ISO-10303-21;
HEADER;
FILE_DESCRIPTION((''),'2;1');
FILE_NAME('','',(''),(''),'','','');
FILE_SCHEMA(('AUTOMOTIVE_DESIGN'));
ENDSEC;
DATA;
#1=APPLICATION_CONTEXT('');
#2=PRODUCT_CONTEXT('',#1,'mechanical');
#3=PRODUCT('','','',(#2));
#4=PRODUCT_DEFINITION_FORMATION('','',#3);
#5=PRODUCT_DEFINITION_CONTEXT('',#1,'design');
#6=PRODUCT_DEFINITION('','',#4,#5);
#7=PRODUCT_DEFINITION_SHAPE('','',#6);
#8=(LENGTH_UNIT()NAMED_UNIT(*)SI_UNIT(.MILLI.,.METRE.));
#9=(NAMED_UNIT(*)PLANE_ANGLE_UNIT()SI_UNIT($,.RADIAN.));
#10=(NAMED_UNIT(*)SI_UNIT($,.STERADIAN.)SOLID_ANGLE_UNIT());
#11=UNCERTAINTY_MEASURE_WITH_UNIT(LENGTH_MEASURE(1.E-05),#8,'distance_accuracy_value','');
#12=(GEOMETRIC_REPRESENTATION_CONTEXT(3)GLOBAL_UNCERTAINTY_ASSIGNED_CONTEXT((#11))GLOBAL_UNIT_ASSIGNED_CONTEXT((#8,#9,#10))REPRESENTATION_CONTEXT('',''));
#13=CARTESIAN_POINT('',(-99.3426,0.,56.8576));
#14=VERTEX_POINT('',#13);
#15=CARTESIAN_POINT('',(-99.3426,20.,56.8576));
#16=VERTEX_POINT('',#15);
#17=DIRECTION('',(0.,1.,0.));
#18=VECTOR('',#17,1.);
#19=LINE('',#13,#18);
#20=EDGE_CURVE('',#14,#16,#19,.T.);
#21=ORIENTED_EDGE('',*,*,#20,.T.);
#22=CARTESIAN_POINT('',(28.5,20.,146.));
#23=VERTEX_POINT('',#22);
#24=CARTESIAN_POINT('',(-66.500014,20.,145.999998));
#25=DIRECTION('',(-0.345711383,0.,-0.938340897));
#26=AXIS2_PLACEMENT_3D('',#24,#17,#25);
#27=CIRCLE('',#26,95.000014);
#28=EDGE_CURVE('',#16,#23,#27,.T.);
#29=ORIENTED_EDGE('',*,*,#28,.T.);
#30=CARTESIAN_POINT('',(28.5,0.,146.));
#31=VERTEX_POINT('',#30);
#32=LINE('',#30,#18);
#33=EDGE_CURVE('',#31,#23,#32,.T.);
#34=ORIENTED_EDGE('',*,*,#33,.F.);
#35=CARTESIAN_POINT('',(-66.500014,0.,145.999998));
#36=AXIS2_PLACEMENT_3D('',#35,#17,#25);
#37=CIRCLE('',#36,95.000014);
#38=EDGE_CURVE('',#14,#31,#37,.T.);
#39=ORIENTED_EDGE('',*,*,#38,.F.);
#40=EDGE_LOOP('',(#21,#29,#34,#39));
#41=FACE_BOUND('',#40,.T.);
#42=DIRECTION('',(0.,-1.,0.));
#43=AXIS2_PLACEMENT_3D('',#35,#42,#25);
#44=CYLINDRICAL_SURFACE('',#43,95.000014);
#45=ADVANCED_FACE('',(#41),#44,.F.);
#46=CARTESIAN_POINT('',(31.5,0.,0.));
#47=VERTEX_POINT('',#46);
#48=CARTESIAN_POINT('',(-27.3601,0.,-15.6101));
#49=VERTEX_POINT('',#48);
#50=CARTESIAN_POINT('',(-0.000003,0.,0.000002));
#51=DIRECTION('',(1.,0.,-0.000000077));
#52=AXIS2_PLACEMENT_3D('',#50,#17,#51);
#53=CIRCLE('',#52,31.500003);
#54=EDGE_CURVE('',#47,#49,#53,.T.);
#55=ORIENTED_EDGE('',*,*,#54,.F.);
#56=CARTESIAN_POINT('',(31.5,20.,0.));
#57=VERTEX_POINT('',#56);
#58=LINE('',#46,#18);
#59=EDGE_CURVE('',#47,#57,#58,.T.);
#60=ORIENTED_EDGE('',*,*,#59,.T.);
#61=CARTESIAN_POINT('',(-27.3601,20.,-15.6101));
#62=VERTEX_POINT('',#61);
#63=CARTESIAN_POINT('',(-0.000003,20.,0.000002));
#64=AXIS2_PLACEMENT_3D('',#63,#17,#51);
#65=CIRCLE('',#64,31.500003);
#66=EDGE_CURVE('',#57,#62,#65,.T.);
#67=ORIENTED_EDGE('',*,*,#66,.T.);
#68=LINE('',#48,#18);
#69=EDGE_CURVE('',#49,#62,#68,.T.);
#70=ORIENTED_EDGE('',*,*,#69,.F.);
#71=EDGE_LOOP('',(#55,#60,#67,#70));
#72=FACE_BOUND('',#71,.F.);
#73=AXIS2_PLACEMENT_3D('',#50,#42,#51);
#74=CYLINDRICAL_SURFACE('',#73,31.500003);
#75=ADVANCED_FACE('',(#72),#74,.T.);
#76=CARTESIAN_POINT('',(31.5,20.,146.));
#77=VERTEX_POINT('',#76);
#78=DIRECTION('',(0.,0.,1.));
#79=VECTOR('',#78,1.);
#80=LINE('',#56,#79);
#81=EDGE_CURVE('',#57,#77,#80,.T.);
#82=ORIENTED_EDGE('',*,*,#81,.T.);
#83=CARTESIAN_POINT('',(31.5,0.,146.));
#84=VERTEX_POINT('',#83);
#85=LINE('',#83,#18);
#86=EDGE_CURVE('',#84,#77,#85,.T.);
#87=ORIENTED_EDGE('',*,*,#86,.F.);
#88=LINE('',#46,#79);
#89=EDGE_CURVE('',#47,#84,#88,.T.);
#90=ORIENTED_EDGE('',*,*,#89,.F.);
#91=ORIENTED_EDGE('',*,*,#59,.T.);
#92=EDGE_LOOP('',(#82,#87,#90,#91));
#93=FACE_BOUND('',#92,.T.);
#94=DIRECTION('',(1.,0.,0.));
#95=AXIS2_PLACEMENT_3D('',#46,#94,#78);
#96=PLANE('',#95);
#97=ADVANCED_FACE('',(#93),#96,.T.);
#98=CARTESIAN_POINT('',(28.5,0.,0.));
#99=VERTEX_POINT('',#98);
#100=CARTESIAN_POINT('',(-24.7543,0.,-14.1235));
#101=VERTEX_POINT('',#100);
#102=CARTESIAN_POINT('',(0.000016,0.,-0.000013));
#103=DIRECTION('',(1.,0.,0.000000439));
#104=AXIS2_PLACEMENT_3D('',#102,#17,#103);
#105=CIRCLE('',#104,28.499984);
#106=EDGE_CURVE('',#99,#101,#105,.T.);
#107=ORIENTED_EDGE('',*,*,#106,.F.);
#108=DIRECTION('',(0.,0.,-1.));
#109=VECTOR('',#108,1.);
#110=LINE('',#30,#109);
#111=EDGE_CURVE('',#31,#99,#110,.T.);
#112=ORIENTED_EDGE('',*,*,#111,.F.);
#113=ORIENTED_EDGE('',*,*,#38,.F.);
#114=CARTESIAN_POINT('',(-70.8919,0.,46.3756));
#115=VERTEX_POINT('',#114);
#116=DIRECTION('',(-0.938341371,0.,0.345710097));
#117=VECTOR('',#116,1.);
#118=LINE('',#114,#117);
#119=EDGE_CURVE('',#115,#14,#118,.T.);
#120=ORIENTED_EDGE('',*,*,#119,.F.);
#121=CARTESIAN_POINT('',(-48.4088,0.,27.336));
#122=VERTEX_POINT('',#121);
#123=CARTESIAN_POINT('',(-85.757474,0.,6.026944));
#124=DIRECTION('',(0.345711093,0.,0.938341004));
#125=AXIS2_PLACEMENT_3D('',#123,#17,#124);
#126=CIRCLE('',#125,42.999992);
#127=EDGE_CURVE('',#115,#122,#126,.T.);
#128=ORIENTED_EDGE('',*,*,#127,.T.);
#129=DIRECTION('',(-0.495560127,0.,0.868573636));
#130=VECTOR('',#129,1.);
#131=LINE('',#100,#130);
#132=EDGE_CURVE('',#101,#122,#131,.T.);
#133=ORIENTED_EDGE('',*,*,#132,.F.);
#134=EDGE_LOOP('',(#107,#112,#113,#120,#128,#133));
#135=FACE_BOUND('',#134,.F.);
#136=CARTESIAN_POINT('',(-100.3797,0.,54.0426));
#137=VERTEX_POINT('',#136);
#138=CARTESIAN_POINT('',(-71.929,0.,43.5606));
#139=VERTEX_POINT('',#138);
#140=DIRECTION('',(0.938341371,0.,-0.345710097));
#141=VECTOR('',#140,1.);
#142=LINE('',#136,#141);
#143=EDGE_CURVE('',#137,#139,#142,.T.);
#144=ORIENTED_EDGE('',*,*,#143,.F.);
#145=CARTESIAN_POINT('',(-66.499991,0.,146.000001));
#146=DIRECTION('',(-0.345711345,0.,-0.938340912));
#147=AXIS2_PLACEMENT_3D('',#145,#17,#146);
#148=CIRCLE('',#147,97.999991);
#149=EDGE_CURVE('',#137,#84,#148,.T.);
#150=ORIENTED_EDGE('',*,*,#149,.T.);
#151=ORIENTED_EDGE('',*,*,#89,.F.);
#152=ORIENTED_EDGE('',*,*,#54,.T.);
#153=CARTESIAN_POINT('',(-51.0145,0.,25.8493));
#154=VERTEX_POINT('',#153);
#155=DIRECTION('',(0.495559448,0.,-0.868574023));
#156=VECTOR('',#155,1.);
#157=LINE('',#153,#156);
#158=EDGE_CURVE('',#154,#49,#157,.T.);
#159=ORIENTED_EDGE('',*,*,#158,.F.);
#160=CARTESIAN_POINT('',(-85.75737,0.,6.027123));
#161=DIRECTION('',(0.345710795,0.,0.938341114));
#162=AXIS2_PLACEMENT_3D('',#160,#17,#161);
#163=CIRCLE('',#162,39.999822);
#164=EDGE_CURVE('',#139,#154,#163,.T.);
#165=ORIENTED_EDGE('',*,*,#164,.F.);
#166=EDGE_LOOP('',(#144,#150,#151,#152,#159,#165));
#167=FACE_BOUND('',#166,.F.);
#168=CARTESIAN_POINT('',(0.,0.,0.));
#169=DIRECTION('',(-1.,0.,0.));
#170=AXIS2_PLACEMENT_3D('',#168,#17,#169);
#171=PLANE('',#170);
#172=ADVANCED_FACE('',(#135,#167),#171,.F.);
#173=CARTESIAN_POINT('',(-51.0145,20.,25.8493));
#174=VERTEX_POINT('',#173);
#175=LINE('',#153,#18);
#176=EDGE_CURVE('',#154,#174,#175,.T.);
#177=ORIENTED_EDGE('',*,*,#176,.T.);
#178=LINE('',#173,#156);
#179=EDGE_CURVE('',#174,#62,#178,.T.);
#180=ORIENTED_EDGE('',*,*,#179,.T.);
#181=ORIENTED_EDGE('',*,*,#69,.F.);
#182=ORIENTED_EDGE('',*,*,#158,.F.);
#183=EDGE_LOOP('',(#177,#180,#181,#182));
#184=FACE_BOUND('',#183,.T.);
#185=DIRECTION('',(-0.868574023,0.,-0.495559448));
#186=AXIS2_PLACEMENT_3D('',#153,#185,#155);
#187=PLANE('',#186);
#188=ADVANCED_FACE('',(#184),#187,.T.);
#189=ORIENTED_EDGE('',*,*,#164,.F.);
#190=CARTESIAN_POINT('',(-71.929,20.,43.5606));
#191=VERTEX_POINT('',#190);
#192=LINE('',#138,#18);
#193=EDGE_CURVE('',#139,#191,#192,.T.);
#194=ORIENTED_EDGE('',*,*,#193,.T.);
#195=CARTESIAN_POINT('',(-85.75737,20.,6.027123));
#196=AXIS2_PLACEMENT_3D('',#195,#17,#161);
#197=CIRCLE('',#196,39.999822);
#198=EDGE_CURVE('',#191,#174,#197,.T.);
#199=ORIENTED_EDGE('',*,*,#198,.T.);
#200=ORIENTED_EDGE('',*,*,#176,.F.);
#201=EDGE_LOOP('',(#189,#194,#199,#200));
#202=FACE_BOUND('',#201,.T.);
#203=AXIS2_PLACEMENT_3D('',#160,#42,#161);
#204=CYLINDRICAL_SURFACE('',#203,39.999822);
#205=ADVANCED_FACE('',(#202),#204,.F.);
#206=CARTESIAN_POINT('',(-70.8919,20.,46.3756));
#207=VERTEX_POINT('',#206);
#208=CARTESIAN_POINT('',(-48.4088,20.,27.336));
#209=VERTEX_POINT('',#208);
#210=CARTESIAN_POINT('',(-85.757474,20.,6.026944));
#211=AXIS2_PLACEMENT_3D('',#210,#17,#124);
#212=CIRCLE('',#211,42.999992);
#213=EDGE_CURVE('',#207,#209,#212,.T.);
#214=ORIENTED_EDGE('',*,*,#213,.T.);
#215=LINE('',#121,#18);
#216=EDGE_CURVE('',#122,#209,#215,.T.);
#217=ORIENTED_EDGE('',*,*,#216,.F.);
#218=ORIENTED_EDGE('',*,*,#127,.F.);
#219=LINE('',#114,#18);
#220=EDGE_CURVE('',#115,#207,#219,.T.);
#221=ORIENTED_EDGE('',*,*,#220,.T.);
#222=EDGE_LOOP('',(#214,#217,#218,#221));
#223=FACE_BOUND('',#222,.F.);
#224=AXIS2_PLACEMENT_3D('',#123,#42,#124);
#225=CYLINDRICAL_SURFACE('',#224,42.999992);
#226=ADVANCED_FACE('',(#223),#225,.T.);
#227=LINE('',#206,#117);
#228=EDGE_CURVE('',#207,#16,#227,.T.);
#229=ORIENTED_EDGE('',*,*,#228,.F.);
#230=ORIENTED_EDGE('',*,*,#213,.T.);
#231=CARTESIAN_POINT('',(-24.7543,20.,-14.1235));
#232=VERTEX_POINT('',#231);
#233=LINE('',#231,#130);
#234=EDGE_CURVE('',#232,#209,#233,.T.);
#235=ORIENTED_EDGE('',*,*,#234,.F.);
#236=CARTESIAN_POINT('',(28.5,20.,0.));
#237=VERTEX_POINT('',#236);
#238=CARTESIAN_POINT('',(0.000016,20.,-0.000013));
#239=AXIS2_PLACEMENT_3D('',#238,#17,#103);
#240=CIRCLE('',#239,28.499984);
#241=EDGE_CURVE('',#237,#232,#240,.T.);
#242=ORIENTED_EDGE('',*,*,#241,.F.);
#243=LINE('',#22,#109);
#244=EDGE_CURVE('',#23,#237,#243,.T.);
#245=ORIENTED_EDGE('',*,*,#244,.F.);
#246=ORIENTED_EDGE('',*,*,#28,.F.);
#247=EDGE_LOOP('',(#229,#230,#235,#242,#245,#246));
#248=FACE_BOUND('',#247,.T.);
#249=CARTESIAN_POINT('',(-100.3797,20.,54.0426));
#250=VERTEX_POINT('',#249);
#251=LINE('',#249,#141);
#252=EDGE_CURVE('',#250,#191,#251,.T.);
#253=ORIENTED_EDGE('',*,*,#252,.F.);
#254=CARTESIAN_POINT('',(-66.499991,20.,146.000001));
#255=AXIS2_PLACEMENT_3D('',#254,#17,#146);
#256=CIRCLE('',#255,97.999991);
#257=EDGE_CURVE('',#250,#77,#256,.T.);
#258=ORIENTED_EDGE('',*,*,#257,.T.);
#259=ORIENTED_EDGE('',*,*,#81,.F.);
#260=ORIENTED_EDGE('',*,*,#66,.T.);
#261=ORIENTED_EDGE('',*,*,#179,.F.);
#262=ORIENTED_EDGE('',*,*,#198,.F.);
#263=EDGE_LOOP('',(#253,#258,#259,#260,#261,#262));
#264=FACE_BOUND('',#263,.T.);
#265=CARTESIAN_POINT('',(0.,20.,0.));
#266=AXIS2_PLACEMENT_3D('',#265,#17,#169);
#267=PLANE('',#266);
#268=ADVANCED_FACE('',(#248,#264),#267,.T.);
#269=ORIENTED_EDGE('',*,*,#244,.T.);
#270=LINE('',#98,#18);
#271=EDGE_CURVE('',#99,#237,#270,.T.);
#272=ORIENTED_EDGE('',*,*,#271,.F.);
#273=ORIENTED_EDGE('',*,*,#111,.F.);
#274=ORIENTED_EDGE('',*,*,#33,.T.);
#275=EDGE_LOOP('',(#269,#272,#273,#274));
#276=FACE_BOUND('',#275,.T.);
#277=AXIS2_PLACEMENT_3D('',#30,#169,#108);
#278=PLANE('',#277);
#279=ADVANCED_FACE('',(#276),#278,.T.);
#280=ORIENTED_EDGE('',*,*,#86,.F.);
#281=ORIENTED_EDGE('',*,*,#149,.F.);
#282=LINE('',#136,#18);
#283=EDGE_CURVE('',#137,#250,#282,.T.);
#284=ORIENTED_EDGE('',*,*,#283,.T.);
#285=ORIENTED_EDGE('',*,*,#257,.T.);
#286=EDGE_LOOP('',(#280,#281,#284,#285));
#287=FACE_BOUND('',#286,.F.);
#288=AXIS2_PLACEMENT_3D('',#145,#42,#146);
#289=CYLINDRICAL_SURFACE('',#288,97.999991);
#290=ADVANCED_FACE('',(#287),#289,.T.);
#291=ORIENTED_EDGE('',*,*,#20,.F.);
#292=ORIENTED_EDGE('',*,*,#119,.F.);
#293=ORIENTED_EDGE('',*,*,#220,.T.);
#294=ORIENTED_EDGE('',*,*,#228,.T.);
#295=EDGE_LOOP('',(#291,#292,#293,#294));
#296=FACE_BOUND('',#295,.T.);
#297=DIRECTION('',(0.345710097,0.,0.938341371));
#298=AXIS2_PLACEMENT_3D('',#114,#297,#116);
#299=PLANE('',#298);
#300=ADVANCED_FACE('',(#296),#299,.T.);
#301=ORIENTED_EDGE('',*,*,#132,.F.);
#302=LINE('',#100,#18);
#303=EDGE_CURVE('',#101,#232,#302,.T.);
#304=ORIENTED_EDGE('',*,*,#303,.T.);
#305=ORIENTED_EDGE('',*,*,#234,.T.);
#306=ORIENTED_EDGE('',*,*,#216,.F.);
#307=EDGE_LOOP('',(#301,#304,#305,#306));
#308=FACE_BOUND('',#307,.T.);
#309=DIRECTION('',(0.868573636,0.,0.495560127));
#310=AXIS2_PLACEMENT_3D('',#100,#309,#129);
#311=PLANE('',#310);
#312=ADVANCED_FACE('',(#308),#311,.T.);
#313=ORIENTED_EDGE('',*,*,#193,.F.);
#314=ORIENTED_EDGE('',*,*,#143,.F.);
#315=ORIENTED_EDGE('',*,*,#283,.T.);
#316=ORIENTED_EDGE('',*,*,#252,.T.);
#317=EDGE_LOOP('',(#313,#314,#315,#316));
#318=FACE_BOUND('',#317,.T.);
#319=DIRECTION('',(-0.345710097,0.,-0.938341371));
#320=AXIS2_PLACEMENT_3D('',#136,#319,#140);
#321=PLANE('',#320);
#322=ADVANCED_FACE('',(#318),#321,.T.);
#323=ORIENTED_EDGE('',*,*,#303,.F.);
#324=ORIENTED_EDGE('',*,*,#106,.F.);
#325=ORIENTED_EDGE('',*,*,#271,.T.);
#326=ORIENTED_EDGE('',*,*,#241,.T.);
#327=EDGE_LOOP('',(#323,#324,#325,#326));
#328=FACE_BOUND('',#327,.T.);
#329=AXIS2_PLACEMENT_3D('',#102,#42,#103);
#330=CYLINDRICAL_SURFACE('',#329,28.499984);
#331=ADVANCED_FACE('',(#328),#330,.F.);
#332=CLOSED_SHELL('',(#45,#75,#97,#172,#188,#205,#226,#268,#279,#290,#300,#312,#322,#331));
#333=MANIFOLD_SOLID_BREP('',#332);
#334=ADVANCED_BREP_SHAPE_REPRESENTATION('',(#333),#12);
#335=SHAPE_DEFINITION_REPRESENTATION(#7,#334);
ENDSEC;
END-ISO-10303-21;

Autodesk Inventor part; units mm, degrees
ref_plane "YZ Plane" through (0, 0, 0) normal (1, 0, 0) x (0, 1, 0)
ref_plane "XZ Plane" through (0, 0, 0) normal (0, 1, 0) x (-1, 0, 0)
ref_plane "XY Plane" through (0, 0, 0) normal (0, 0, 1) x (1, 0, 0)
sketch "Sketch1" plane through (0, 0, 0) normal (0, 1, 0) x (-1, 0, 0)
  line L0 (70.8919, 46.3756) -> (99.3426, 56.8576)
  line L1 (24.7543, -14.1235) -> (48.4088, 27.336)
  line L2 (-28.5, 146) -> (-28.5, 0)
  line L3 (51.0145, 25.8493) -> (27.3601, -15.6101)
  line L4 (100.3797, 54.0426) -> (71.929, 43.5606)
  line L5 (-31.5, 0) -> (-31.5, 146)
  arc A0 (99.3426, 56.8576) -> (-28.5, 146) centre (66.5, 146) ccw
  arc A1 (70.8919, 46.3756) -> (48.4088, 27.336) centre (85.7575, 6.0269) ccw
  arc A2 (-28.5, 0) -> (24.7543, -14.1235) centre (0, 0) ccw
  arc A3 (-31.5, 0) -> (27.3601, -15.6101) centre (0, 0) ccw
  arc A4 (71.929, 43.5606) -> (51.0145, 25.8493) centre (85.7575, 6.0269) ccw
  arc A5 (100.3797, 54.0426) -> (-31.5, 146) centre (66.5, 146) ccw
  dimension "d0" = 95
  dimension "d1" = 40
  dimension "d2" = 28.5
  dimension "d3" = 31.5
  dimension "d4" = 146
  dimension "d5" = 146
  dimension "d6" = 98
  dimension "d7" = 95
  dimension "d8" = 146
  dimension "d9" = 66.5
  dimension "d10" = 47.7328
  dimension "d11" = 53.2544
  dimension "d12" = 43
  dimension "d13" = 58.8601
  dimension "d14" = 47.7328
  dimension "d15" = 91.9574
  dimension "d16" = 139.9731
  dimension "d17" = 85.7575
  dimension "d18" = 150.293
  dimension "d19" = 0
  dimension "d20" = 0
extrude "Extrusion1" add sketch "Sketch1" along normal blind 20
properties part number "50-01-001"
